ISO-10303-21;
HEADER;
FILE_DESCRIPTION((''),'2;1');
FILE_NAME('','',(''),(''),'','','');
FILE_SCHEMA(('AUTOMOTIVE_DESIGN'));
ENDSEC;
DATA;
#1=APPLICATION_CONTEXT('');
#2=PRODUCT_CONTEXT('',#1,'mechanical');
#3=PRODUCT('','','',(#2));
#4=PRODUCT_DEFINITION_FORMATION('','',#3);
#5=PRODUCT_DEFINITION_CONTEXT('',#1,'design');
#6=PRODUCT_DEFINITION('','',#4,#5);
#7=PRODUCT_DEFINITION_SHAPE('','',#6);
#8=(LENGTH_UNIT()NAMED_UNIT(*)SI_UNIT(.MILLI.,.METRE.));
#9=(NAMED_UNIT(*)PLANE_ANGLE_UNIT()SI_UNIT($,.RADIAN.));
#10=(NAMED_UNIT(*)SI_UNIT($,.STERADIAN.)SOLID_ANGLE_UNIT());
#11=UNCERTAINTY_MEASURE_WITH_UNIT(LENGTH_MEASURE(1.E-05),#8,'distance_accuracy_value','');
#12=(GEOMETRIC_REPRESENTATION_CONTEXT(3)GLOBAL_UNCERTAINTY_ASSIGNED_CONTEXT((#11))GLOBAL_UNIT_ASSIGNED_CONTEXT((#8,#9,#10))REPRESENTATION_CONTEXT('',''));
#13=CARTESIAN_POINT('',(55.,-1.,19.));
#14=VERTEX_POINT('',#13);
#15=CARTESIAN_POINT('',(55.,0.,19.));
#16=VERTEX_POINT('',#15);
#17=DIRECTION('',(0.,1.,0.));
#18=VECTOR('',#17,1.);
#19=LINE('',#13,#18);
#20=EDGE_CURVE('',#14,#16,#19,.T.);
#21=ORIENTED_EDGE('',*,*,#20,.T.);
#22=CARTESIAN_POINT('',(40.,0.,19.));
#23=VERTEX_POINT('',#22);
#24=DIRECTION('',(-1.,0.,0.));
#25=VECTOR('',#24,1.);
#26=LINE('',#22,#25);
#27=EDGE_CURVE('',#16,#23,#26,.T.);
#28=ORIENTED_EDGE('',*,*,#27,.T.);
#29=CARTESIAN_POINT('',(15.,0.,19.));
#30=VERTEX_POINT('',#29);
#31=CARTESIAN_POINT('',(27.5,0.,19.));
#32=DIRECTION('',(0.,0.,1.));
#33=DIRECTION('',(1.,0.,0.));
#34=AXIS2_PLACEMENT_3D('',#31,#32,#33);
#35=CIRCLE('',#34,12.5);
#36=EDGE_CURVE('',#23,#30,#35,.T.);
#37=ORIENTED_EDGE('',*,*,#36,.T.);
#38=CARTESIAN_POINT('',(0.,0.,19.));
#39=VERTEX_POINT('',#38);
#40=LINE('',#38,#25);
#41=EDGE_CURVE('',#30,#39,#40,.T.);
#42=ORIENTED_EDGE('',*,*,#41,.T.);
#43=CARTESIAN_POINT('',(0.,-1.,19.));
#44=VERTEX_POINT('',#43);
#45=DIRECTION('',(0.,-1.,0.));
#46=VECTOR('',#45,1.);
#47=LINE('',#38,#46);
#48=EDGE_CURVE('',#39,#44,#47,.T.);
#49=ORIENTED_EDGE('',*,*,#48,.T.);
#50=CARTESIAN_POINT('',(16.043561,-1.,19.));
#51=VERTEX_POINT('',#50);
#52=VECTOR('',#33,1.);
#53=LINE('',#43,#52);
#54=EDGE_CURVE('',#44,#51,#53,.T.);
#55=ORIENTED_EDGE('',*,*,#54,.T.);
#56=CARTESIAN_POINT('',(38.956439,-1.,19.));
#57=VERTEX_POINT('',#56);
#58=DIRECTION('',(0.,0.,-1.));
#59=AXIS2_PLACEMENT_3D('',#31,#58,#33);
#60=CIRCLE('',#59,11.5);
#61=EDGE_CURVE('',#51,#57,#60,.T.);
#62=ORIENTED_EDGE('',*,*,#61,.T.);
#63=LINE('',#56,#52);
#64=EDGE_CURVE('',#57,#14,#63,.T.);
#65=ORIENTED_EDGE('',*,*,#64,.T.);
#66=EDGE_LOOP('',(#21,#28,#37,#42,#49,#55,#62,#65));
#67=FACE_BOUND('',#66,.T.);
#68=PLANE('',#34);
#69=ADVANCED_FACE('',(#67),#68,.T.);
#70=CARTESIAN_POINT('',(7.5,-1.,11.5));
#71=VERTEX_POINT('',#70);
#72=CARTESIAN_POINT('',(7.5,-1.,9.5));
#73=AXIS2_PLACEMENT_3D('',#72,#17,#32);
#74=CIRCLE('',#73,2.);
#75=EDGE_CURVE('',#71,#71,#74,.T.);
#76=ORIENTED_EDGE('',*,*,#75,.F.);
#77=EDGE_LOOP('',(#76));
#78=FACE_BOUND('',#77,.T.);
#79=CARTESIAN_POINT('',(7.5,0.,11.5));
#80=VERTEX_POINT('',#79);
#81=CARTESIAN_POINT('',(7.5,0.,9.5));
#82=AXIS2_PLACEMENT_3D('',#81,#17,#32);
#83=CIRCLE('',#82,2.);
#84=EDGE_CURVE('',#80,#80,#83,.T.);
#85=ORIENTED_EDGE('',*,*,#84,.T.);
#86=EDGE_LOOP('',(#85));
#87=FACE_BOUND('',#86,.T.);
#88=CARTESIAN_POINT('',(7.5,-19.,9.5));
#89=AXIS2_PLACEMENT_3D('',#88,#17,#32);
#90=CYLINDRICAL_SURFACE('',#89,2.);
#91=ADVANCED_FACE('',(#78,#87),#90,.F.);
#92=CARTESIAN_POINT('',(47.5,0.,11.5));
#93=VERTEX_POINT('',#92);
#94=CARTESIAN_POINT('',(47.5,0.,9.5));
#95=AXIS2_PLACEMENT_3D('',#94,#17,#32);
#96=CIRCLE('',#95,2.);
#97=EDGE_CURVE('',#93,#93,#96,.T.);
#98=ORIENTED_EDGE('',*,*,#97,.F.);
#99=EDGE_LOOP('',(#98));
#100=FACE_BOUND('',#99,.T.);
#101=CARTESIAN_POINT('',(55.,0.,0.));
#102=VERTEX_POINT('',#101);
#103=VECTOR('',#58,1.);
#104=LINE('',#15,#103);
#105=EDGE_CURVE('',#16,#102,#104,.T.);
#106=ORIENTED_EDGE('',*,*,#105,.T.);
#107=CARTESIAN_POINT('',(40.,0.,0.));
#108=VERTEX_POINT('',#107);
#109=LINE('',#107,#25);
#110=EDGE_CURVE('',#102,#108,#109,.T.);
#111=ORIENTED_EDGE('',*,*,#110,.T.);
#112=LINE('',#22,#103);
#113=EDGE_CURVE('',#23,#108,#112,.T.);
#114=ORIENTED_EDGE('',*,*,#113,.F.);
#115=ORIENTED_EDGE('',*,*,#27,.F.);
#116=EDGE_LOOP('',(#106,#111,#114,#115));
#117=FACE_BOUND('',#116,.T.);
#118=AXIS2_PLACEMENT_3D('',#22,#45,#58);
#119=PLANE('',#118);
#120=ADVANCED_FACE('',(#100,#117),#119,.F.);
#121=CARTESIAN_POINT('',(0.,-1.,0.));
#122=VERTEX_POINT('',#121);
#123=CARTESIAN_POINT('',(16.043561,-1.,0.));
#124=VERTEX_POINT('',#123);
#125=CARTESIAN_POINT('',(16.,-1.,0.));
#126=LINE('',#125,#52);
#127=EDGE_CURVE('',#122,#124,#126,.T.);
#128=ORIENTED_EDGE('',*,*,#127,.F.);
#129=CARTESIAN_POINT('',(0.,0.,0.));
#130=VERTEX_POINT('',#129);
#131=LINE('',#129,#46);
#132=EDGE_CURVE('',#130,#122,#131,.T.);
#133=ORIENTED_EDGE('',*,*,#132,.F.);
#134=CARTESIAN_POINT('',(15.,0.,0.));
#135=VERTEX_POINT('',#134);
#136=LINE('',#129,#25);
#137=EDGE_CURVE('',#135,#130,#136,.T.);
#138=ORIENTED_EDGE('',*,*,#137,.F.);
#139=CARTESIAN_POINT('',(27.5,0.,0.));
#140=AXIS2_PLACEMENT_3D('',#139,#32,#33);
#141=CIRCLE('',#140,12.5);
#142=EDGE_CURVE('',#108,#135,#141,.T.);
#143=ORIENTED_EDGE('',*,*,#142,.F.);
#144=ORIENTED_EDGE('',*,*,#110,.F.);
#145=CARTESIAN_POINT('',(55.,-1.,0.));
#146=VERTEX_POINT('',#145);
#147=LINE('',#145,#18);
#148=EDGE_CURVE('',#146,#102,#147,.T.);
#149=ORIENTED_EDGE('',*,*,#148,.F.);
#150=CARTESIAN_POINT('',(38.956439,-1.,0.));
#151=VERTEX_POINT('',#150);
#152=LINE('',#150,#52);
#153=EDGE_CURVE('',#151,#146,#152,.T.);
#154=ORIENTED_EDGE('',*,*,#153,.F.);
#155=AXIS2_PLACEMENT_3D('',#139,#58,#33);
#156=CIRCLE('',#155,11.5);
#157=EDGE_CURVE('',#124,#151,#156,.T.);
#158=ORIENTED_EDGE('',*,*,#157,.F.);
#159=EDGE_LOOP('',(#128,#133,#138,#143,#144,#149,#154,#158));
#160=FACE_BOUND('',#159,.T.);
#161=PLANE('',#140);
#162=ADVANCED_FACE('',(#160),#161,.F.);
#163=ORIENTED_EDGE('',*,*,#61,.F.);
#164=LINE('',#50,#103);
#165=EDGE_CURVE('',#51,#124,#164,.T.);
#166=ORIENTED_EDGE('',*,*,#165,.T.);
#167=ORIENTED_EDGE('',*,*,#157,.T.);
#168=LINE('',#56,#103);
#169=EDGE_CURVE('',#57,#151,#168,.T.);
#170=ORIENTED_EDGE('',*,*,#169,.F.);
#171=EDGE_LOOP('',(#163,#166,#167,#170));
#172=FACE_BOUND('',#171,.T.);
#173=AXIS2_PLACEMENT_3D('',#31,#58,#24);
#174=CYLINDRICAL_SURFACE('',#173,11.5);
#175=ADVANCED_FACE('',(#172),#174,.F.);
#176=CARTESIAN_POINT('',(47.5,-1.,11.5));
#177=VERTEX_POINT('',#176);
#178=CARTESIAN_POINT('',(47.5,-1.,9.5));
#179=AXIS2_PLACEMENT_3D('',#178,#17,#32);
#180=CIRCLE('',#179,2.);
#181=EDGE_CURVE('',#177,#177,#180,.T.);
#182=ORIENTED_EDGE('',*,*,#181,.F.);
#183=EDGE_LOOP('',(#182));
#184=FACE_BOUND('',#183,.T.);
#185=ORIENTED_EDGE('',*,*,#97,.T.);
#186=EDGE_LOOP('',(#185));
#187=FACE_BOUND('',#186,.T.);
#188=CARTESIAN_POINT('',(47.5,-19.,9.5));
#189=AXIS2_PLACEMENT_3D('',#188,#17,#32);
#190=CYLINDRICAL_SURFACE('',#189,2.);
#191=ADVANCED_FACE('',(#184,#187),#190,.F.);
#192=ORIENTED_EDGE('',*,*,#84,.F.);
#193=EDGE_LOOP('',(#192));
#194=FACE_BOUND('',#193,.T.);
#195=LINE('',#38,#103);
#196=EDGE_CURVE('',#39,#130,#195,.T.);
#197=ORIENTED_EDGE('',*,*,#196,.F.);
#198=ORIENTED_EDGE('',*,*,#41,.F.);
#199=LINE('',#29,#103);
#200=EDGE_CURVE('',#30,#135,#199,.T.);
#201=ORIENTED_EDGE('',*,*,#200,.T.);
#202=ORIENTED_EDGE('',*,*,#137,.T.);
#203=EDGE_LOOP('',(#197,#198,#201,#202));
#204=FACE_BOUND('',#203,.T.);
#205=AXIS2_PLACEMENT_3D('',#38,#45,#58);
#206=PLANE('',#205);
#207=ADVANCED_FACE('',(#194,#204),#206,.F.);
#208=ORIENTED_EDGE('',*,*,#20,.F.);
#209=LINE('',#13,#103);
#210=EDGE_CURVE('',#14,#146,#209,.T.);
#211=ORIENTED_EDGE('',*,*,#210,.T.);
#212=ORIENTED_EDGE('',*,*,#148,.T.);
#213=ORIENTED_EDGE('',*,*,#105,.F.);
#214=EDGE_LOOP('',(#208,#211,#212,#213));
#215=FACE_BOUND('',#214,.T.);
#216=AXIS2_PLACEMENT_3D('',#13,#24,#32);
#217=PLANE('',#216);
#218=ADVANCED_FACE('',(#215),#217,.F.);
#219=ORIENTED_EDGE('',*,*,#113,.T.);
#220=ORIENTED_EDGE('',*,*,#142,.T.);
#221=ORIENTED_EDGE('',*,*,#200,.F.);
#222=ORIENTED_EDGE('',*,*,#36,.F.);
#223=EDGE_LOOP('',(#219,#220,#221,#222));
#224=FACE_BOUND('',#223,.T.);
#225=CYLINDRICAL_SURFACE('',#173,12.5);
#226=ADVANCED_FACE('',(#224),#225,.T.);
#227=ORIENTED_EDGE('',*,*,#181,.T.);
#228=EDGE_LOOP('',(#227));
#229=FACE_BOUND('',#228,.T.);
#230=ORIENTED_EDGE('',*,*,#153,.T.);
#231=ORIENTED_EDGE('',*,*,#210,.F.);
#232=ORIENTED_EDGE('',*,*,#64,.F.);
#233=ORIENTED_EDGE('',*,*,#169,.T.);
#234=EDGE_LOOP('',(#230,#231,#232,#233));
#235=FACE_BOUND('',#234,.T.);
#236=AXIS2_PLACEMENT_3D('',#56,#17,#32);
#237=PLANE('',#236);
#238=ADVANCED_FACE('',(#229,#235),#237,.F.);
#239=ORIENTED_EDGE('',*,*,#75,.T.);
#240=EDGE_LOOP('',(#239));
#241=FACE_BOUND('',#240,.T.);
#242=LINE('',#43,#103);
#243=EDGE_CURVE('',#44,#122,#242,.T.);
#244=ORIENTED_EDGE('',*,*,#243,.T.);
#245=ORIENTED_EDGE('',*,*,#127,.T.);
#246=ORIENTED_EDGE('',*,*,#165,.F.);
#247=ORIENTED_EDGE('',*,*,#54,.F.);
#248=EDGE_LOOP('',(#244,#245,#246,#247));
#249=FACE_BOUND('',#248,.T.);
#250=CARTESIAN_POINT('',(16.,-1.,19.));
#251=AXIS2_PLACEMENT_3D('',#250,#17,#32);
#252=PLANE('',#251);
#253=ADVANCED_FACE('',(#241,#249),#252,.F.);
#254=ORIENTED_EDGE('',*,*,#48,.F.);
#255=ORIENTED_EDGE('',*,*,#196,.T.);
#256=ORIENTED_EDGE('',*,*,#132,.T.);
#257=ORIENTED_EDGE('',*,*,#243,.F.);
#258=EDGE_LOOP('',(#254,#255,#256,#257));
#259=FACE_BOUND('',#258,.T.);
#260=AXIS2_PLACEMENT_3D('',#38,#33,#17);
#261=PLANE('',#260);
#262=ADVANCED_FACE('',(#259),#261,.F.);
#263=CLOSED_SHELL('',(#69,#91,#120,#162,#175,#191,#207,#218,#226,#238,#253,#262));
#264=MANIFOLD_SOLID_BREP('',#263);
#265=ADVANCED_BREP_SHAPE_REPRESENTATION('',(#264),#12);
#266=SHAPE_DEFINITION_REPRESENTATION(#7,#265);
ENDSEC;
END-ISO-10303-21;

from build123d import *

# Parameters (mm, degrees)
Y_KSEKLIK_EKSTR_ZYON1_DEPTH = 19
IZIM2_R                     = 2
KES_EKSTR_ZYON1_DEPTH       = 19


with BuildPart() as part:
    # Çizim1 → Yükseklik-Ekstrüzyon1 (new body)
    with BuildSketch(Plane.XY):
        with BuildLine():
            Line((0, 0), (15, 0))
            ThreePointArc((15, 0), (27.5, 12.5), (40, 0))
            Line((40, 0), (55, 0))
            Line((55, 0), (55, -1))
            Line((55, -1), (38.956439237, -1))
            ThreePointArc((38.956439237, -1), (27.5, 11.5), (16.043560763, -1))
            Line((16.043560763, -1), (16, -1))
            Line((16, -1), (0, -1))
            Line((0, -1), (0, 0))
        make_face()
    extrude(amount=Y_KSEKLIK_EKSTR_ZYON1_DEPTH)

    # Çizim2 → Kes-Ekstrüzyon1 (cut)
    with BuildSketch(Plane(origin=(0, 0, 0), x_dir=(1, 0, 0), z_dir=(0, 1, 0))):
        with Locations(Location((7.5, -9.5, 0), (0, 0, 270))):
            Circle(IZIM2_R)
        with Locations(Location((47.5, -9.5, 0), (0, 0, 270))):
            Circle(IZIM2_R)
    extrude(amount=-KES_EKSTR_ZYON1_DEPTH, mode=Mode.SUBTRACT)


solid = part.part
